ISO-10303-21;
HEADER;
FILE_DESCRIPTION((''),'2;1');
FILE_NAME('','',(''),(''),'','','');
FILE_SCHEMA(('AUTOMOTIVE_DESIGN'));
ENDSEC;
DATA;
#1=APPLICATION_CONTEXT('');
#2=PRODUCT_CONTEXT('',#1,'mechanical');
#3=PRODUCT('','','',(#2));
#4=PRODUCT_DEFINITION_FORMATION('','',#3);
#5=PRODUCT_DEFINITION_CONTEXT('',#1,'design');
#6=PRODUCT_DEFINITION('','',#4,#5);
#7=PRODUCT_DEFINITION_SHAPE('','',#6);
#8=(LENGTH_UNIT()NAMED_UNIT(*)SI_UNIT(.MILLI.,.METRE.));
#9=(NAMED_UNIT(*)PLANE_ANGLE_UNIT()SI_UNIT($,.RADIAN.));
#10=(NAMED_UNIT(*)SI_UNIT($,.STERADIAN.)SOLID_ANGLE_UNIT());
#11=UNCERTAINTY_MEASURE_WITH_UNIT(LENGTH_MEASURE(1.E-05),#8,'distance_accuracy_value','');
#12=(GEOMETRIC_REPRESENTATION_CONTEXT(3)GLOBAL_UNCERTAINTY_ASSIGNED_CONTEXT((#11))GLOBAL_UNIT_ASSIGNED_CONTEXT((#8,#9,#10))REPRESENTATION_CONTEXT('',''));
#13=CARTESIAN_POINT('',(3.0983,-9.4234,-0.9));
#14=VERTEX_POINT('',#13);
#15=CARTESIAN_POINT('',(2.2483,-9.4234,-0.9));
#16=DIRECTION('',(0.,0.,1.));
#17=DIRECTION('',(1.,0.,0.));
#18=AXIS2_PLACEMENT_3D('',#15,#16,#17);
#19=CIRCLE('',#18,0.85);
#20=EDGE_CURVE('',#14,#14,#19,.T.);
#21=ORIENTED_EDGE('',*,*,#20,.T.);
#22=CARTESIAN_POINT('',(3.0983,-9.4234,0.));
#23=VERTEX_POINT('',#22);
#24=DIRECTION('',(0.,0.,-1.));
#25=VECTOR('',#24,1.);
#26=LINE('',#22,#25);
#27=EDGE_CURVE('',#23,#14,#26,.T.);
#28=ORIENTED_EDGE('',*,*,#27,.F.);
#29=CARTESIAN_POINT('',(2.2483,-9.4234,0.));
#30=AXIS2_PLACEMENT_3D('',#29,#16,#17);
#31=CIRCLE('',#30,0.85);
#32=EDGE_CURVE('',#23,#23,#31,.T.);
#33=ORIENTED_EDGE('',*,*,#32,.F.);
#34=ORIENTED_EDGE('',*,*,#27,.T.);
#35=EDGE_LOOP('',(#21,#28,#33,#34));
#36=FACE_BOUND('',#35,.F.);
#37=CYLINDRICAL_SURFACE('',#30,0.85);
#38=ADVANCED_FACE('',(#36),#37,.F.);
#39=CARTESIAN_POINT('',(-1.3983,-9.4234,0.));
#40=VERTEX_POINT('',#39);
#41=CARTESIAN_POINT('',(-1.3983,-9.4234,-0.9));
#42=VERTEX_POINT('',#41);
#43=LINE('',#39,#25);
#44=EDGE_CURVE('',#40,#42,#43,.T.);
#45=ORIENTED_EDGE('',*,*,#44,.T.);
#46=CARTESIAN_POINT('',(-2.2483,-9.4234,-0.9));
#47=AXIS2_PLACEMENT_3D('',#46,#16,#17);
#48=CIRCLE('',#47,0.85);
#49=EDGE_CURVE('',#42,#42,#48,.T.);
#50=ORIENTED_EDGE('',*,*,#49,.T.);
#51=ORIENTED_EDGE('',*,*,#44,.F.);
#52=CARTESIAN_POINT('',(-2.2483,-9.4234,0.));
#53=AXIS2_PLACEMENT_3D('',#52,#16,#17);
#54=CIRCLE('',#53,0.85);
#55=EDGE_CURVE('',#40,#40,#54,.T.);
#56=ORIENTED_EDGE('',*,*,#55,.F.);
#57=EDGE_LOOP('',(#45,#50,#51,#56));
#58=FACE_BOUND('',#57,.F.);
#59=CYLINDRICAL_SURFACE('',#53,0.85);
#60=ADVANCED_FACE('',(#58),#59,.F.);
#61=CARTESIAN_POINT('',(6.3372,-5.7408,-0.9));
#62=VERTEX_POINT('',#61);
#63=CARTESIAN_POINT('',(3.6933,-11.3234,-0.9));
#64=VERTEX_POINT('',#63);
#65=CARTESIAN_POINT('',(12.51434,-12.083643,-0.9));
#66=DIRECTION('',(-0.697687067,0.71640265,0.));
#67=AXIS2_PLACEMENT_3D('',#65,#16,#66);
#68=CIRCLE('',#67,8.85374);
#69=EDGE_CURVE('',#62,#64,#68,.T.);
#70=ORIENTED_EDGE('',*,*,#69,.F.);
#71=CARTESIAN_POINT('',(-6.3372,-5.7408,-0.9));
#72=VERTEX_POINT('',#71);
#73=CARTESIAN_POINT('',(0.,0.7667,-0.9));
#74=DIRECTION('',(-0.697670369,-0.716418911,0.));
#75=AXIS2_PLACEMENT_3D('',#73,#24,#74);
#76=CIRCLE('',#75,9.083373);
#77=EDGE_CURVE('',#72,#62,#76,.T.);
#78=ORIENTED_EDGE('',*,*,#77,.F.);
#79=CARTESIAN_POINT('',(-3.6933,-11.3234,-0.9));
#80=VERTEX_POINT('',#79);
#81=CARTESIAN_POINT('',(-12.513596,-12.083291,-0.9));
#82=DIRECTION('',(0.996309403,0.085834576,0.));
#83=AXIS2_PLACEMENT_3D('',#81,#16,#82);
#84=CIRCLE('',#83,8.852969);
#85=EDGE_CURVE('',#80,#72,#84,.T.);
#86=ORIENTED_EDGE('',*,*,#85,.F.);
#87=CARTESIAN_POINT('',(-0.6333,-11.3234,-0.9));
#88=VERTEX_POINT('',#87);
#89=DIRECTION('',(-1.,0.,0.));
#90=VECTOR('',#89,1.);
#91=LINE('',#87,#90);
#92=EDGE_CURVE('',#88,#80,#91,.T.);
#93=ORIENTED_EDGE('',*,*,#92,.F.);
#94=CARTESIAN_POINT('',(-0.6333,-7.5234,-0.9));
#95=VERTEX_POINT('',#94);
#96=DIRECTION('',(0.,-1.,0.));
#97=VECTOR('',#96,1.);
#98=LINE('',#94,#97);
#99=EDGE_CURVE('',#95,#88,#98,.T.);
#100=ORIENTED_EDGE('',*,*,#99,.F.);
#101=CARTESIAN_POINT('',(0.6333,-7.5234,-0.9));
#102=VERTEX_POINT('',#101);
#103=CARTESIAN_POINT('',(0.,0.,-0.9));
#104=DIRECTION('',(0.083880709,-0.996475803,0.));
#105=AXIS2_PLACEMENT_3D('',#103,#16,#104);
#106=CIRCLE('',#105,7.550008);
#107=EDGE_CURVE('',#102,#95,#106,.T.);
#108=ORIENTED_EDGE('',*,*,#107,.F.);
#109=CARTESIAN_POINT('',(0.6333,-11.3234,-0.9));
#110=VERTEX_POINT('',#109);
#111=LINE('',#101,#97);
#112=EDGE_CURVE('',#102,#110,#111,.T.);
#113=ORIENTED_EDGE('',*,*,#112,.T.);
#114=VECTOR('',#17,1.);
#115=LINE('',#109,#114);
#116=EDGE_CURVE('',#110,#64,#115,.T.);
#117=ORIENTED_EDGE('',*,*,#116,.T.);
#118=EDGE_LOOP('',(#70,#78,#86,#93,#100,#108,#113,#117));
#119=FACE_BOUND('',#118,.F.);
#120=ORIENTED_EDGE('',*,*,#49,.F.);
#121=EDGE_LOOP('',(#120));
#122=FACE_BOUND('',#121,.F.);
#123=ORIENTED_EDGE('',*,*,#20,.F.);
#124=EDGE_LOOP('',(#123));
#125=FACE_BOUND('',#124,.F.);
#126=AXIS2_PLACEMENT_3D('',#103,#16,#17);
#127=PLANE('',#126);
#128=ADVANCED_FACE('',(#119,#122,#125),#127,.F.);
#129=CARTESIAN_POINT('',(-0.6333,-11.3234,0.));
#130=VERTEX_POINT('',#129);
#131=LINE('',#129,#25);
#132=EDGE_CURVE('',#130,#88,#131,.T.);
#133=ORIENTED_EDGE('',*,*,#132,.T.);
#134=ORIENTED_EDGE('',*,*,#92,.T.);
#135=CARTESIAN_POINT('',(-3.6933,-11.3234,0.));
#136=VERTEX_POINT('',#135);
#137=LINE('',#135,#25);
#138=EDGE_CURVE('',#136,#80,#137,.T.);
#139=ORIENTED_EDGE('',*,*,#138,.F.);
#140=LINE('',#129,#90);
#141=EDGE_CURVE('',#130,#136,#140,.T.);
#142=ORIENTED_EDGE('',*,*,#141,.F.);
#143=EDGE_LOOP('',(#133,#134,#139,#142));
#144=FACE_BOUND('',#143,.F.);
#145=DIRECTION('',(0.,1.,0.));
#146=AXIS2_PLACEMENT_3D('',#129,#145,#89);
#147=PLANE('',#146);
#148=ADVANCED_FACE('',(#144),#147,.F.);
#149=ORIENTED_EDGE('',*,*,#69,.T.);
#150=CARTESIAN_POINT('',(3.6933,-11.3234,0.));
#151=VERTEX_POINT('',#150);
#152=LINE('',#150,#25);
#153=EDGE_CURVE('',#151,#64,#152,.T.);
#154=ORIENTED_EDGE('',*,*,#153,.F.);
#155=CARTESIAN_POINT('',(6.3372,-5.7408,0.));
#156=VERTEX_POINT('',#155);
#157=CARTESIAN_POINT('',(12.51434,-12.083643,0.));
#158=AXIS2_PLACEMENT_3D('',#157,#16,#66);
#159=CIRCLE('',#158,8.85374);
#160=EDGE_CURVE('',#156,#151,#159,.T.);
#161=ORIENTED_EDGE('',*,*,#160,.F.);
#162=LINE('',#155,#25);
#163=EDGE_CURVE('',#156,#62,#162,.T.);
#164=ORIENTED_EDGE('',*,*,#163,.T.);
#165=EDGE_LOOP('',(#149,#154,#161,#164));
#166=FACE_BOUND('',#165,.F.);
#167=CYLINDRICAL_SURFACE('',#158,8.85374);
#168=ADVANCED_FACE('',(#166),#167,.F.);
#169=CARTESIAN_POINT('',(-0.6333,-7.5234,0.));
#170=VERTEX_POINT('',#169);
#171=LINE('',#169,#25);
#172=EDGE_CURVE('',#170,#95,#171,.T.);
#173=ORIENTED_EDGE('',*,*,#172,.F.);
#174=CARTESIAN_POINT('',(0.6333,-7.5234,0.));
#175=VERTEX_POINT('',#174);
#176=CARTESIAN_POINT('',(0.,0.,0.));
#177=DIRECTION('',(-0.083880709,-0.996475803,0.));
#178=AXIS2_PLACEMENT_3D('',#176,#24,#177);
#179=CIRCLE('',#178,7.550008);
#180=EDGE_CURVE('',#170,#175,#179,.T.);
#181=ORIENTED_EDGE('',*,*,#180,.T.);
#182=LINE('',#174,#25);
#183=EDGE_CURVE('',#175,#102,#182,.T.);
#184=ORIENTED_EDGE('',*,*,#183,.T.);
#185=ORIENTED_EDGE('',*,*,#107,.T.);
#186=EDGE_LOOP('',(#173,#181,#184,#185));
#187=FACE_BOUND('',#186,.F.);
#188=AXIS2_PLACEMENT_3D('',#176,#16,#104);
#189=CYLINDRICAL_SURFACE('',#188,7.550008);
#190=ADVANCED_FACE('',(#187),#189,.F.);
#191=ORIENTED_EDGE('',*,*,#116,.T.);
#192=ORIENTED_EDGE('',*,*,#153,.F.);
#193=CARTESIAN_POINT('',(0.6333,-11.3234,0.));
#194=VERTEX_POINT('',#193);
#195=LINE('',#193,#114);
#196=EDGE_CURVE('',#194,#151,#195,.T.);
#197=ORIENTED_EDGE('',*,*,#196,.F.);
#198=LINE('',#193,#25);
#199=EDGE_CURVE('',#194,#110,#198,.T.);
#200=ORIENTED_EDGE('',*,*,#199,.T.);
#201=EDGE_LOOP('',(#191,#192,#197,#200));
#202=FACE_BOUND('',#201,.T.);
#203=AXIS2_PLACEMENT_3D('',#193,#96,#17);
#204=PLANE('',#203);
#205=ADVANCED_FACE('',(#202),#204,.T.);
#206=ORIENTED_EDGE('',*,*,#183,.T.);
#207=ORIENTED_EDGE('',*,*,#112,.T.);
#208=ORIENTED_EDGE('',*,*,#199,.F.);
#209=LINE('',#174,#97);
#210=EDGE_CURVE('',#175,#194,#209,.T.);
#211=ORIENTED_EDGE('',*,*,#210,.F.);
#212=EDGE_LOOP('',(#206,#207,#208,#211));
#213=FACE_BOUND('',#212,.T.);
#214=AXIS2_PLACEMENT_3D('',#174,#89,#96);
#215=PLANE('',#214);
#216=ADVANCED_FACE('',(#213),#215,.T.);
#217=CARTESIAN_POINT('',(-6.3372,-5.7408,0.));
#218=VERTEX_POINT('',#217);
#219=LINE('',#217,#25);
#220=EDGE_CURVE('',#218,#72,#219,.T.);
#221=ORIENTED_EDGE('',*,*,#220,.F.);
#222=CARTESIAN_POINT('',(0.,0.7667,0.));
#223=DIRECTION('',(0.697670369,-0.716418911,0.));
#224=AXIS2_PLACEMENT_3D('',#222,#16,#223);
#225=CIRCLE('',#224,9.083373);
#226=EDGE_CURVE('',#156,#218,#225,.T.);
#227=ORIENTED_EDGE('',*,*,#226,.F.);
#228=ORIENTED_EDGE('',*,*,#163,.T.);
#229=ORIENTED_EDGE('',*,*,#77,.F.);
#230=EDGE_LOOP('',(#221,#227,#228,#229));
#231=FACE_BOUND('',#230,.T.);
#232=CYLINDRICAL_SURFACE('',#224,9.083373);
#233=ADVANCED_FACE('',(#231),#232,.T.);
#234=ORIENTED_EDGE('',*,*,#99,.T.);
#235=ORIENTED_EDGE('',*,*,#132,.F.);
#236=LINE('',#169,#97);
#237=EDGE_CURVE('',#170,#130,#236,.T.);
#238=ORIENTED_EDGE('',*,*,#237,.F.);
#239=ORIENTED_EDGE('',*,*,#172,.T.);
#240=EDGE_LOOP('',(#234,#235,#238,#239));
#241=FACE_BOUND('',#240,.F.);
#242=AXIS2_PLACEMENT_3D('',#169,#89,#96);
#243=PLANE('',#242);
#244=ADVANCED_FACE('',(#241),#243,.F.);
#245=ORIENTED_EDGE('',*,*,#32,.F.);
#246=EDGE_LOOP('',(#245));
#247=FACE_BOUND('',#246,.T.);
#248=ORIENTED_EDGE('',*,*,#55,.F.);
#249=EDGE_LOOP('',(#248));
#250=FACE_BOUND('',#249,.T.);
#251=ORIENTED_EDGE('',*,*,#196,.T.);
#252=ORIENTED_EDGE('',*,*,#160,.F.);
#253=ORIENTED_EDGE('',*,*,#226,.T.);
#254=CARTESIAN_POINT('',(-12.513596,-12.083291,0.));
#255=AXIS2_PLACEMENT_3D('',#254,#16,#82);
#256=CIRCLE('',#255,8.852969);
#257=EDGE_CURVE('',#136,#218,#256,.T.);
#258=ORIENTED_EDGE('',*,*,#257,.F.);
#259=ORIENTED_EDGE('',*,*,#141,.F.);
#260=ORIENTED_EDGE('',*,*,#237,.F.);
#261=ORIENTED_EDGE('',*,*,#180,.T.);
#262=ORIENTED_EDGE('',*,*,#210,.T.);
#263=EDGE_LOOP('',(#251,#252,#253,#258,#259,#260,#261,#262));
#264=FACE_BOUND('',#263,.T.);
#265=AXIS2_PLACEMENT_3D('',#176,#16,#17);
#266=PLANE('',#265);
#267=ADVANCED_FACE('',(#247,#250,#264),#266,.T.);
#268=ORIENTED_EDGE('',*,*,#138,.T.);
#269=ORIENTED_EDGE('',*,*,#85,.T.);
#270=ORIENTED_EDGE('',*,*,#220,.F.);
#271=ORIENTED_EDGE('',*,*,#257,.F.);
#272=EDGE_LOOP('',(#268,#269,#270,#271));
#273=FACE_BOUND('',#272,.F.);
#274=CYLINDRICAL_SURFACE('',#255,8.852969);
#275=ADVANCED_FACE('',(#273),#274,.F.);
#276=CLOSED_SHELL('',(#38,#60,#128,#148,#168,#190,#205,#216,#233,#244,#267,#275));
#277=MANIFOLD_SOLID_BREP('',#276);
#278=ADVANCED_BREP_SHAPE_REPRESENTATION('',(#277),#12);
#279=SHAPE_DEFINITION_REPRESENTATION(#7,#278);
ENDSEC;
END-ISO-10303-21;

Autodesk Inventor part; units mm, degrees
ref_plane "YZ Plane" through (0, 0, 0) normal (1, 0, 0) x (0, 1, 0)
ref_plane "XZ Plane" through (0, 0, 0) normal (0, 1, 0) x (-1, 0, 0)
ref_plane "XY Plane" through (0, 0, 0) normal (0, 0, 1) x (1, 0, 0)
sketch "Sketch2" plane through (0, 0, 0) normal (0, 0, 1) x (1, 0, 0)
  line L0 (-0.6333, -11.3234) -> (-3.6933, -11.3234)
  line L1 (-0.6333, -7.5234) -> (-0.6333, -11.3234)
  arc A0 (0.6333, -7.5234) -> (-0.6333, -7.5234) centre (0, 0) ccw
  arc A1 (6.3372, -5.7408) -> (-6.3372, -5.7408) centre (0, 0.7667) ccw
  line L2 (0, -19.4467) -> (0, 17.2703) projected
  line L3 (0.6333, -11.3234) -> (3.6933, -11.3234)
  line L4 (0.6333, -7.5234) -> (0.6333, -11.3234)
  arc A2 (-3.6933, -11.3234) -> (-6.3372, -5.7408) centre (-12.514, -12.0834) ccw
  arc A3 (6.3372, -5.7408) -> (3.6933, -11.3234) centre (12.514, -12.0834) ccw
  dimension "d15" = 0.7667
  dimension "d28" = 15.1
  dimension "d32" = 2.3
  dimension "d34" = 3.8
  dimension "d35" = 1.2667
  dimension "d48" = 3.06
  dimension "d49" = 0.76
extrude "Extrusion1" add sketch "Sketch2" against normal blind 0.9
sketch "Sketch3" plane through (0, 0, 0) normal (0, 0, 1) x (1, 0, 0)
  circle A0 centre (-2.2483, -9.4234) radius 0.85
  line L0 (-0.6333, -11.3234) -> (-3.6933, -11.3234) projected
  line L1 (0.6333, -11.3234) -> (0.6333, -7.5234) projected
  line L2 (3.6933, -11.3234) -> (0.6333, -11.3234) projected
  line L3 (0, -14.2014) -> (0, -8.6014) projected
  circle A1 centre (2.2483, -9.4234) radius 0.85
  dimension "d36" = 1.7
  dimension "d37" = 1.9
  dimension "d47" = 4.4967
extrude "Extrusion2" cut sketch "Sketch3" against normal through all
equation "\"d15\" = 0.333333 * b"
equation "\"d28\" = g1"
equation "\"d32\" = b"
equation "\"d34\" = ParA"
equation "\"d35\" = 0.333333 * ParA"
equation "\"d48\" = 1.8 * Diam5"
equation "\"d49\" = 0.2 * ParA"
equation "\"d16\" = tt"
equation "\"d36\" = Diam5"
equation "\"d37\" = 0.5 * ParA"
equation "\"d47\" = 0.333333 * ParA + 1.9 * Diam5"
equation "\"g1\" = 15.1"
equation "\"ParA\" = 3.8"
equation "\"tt\" = 0.9"
equation "\"Diam5\" = 1.7"
equation "\"TEMPLATE\" = 1.2345"
properties part number "Кольцо стопорное наружное" material "Steel, Mild"
